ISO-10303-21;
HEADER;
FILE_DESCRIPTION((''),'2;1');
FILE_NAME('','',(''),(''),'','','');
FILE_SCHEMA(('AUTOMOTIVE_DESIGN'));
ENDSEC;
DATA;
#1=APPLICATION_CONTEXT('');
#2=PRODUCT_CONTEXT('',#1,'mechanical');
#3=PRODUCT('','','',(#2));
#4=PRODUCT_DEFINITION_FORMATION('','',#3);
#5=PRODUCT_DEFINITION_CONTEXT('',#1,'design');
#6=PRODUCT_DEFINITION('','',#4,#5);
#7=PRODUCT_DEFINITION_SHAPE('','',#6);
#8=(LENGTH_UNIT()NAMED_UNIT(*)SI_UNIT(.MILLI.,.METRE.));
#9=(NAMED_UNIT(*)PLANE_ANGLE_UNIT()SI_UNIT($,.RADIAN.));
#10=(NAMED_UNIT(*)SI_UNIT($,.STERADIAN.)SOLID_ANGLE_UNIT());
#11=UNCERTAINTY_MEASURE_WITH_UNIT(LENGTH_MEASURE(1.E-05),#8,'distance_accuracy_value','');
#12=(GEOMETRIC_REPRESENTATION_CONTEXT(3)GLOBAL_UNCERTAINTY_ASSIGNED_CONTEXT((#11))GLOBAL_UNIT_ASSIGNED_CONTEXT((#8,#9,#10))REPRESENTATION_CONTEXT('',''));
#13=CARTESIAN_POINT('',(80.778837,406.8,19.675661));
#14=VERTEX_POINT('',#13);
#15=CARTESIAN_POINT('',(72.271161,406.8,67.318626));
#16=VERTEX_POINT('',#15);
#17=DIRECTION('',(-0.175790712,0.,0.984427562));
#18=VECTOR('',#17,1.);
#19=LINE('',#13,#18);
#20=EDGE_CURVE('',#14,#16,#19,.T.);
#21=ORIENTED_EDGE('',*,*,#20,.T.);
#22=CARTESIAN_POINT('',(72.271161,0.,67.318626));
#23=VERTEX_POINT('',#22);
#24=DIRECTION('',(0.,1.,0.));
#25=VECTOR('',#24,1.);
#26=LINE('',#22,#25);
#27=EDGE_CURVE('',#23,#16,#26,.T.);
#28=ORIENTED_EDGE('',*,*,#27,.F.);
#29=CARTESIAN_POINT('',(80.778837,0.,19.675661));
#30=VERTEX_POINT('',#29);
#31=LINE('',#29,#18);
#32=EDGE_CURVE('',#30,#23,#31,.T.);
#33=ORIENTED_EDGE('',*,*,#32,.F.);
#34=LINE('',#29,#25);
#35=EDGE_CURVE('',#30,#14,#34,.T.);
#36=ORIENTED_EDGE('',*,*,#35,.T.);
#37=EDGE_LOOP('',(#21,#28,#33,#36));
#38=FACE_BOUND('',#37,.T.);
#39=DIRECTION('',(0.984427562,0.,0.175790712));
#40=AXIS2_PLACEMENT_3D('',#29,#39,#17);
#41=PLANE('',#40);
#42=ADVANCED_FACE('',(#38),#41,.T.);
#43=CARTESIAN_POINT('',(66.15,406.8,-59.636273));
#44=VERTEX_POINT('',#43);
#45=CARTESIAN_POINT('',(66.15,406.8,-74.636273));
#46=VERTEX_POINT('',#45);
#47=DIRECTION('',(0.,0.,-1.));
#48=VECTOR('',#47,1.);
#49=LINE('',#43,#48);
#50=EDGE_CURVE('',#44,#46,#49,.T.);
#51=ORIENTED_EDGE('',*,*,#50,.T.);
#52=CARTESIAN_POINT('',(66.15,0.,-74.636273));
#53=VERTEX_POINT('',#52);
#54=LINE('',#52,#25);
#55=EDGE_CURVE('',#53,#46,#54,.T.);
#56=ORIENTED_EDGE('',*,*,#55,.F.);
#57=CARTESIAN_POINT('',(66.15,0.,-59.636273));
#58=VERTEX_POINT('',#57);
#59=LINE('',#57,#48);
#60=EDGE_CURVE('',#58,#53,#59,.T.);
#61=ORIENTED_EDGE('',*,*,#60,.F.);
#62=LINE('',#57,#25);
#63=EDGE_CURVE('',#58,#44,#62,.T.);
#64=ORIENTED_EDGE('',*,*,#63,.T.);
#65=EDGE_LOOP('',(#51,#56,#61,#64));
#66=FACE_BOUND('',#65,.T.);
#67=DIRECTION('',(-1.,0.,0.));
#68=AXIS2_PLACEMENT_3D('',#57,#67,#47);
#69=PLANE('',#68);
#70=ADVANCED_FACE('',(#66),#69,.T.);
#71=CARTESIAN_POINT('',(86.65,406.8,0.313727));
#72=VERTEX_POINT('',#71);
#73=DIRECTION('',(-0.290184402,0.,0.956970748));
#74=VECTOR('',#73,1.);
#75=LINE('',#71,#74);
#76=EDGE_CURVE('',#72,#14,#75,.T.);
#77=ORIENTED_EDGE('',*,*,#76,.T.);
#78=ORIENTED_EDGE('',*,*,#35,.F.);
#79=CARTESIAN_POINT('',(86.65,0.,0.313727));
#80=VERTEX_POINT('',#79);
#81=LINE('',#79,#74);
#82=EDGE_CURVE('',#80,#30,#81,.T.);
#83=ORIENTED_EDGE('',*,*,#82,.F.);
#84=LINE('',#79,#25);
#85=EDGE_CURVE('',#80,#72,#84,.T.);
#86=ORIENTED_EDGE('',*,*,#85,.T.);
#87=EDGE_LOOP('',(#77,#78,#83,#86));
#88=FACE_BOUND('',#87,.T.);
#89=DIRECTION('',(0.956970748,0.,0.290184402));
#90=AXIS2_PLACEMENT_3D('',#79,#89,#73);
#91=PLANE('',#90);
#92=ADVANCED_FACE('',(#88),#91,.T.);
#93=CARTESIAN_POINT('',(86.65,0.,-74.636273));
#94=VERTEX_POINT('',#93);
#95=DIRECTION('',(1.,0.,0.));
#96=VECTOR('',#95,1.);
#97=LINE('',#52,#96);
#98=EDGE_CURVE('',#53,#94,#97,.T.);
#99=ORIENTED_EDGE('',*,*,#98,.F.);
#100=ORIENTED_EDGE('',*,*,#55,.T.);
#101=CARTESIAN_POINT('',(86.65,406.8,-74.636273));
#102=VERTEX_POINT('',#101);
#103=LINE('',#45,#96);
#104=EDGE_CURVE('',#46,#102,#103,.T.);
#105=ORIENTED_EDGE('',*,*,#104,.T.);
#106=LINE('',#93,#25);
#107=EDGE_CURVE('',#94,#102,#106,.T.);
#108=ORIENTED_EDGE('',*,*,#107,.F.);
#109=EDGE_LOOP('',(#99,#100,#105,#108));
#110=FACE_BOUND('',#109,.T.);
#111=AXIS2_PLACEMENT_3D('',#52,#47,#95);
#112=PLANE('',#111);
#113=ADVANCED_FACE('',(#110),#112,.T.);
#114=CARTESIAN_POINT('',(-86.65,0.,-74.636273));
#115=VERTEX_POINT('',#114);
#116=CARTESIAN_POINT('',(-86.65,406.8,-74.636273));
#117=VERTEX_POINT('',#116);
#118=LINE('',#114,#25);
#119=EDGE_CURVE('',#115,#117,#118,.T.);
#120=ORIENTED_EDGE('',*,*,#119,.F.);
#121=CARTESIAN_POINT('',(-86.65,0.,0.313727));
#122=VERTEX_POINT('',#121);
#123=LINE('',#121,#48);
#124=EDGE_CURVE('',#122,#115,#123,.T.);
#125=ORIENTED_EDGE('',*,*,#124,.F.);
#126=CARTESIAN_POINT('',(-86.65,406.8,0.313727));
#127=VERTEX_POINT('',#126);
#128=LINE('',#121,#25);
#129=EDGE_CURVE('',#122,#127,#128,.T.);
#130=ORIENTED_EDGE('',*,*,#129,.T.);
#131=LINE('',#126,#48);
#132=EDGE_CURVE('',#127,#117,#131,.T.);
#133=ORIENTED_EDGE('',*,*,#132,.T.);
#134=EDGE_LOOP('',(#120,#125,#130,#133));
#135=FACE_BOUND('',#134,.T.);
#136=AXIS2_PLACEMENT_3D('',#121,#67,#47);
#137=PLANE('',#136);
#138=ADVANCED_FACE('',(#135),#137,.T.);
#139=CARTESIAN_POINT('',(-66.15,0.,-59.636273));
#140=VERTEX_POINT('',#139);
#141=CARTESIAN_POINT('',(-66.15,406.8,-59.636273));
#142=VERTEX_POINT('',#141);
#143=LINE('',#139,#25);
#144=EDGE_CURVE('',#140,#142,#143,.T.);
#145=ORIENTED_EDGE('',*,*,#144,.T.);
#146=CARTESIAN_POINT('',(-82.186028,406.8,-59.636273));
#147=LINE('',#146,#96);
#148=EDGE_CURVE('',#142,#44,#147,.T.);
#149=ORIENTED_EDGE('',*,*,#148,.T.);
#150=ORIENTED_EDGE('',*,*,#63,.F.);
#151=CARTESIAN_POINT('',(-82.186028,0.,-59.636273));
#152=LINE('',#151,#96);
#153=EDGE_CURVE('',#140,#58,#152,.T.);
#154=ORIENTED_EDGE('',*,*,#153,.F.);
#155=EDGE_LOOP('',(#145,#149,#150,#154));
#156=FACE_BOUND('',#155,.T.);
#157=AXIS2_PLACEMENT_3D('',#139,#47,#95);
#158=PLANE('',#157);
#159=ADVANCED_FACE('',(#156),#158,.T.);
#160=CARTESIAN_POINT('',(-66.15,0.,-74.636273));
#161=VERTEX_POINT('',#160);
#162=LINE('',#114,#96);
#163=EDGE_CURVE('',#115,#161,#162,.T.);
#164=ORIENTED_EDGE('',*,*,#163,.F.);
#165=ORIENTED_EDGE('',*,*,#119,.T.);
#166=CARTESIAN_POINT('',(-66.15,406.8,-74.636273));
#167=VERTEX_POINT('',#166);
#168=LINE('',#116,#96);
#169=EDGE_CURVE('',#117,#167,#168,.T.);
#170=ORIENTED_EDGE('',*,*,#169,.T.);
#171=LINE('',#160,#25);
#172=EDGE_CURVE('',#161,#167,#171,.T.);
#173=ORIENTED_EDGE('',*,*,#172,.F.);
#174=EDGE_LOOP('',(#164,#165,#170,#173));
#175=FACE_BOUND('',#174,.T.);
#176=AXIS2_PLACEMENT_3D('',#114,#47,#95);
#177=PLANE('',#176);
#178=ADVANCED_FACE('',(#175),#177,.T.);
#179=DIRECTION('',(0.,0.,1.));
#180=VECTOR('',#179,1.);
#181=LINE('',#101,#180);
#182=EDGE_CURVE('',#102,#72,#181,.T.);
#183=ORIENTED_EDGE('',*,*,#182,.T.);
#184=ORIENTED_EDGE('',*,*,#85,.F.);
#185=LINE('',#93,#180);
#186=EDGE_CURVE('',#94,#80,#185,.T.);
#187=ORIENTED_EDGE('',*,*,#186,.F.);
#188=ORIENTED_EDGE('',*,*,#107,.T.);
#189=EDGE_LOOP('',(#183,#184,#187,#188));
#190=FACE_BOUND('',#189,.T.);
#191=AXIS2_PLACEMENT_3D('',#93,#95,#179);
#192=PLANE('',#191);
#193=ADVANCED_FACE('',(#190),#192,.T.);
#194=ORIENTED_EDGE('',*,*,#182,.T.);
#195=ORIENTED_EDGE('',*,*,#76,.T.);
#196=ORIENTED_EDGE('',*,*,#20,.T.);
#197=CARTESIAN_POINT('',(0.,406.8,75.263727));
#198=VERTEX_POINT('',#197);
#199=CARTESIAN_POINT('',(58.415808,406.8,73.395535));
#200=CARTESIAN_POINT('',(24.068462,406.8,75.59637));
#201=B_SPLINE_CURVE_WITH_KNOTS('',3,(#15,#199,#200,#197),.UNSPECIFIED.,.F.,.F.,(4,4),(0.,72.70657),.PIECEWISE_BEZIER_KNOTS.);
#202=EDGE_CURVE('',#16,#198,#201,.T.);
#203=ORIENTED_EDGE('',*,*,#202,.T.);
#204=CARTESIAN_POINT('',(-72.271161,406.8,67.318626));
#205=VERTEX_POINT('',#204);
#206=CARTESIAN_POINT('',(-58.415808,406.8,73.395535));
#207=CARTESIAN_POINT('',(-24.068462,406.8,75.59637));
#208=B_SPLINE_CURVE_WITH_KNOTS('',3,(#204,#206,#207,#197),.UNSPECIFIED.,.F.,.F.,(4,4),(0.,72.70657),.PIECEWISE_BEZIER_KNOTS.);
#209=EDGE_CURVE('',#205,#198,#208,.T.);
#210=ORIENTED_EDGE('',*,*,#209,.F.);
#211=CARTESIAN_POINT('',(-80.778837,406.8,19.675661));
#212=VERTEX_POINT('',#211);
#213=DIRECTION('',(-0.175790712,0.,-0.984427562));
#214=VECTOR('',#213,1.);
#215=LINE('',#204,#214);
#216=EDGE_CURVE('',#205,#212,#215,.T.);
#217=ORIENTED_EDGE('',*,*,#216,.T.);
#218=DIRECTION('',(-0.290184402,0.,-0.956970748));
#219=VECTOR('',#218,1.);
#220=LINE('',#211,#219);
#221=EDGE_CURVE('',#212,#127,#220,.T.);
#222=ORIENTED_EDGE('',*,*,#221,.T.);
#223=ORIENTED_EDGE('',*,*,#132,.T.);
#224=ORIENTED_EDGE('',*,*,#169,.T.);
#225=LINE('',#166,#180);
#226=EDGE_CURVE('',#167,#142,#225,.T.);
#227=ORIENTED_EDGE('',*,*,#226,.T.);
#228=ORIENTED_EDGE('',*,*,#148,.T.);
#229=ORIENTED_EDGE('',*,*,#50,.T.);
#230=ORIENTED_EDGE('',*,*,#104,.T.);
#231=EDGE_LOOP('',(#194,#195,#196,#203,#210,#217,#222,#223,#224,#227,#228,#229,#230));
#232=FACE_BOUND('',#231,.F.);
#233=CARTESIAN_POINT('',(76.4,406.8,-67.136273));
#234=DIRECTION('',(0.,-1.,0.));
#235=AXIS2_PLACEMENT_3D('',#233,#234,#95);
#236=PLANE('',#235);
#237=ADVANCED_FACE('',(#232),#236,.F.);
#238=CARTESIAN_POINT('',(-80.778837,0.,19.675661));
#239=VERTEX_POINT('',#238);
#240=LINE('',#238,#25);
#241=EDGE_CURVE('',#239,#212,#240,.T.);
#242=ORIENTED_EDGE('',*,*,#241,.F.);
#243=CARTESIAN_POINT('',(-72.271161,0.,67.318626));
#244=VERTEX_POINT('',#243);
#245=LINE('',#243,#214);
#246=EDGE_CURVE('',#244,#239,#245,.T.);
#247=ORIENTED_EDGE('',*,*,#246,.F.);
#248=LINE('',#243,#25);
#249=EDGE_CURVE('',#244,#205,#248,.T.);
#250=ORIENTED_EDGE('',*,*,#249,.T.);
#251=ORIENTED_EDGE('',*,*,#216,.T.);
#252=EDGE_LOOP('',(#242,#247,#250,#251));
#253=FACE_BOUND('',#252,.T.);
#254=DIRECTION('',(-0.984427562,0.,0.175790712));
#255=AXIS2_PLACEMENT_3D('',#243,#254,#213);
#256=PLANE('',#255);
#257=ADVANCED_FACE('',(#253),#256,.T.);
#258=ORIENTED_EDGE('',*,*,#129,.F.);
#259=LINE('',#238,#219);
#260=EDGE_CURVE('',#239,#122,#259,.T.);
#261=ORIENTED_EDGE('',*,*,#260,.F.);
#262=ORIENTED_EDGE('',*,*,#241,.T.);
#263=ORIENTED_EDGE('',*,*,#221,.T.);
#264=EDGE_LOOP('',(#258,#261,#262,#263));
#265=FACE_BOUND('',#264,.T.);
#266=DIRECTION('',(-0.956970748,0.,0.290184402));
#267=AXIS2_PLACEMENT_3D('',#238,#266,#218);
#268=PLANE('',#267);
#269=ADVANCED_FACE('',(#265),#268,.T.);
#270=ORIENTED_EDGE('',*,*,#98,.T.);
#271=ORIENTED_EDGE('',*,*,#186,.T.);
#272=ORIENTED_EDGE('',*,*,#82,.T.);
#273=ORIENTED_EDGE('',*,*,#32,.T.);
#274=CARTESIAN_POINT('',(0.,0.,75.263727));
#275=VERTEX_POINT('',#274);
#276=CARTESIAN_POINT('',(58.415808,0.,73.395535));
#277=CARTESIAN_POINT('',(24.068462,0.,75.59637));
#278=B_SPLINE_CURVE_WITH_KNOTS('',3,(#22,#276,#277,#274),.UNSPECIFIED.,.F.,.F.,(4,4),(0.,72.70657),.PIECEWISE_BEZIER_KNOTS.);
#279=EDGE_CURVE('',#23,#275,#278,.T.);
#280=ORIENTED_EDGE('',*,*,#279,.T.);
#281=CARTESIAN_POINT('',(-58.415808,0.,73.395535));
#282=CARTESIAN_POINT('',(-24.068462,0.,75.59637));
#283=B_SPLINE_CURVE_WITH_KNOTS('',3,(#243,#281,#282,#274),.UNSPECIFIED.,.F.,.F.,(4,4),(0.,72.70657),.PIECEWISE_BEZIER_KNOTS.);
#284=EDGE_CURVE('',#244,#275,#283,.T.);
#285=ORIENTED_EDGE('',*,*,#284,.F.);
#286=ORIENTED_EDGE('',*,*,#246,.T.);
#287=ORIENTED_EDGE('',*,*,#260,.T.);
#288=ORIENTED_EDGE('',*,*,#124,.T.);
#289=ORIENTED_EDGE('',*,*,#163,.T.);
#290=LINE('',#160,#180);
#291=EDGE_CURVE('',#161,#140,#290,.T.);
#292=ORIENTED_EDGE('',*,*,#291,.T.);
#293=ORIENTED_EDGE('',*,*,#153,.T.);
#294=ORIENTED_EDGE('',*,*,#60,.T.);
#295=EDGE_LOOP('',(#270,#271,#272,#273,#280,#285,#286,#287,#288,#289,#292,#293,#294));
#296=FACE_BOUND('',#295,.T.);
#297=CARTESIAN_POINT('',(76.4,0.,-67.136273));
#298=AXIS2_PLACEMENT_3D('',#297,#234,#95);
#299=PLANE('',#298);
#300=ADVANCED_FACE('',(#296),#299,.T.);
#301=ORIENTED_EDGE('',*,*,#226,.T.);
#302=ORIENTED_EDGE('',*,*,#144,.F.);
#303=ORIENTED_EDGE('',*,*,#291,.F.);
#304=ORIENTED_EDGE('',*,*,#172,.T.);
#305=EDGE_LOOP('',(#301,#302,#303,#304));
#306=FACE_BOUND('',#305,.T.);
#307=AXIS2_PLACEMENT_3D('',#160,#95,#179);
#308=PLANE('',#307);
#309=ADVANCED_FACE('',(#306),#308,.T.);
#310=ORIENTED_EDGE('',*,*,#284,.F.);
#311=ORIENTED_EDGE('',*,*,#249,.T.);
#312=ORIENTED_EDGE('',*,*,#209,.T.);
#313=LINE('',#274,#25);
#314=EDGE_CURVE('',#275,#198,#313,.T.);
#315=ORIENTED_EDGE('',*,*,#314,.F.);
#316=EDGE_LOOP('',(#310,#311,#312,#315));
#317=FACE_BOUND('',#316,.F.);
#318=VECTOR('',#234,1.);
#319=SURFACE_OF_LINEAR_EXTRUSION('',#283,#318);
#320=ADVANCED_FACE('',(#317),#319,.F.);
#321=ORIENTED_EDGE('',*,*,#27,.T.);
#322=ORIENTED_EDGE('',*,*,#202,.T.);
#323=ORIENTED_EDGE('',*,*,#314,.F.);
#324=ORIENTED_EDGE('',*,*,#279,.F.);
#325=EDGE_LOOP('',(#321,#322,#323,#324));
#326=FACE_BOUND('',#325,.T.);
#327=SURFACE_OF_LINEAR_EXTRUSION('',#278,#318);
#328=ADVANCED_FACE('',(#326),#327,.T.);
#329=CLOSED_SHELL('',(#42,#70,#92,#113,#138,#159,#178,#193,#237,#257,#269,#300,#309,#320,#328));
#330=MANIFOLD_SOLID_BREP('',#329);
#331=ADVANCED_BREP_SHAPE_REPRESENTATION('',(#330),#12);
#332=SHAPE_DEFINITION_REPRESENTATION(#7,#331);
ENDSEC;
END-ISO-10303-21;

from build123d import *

# Parameters (mm, degrees)
F1_DEPTH = 406.8


with BuildPart() as f1:
    # F0 (on Front) → F1 (new body)
    with BuildSketch(Plane.XZ):
        Polygon((66.15, -59.636273), (66.15, -74.636273), (86.65, -74.636273), (86.65, -59.636273), (82.186028, -59.636273), align=None)
        with BuildLine():
            Line((0, -59.636273), (66.15, -59.636273))
            Line((66.15, -59.636273), (82.186028, -59.636273))
            Line((82.186028, -59.636273), (86.65, -52.384976))
            Line((86.65, -52.384976), (86.65, 0.313727))
            Line((86.65, 0.313727), (80.778837, 19.675661))
            Line((80.778837, 19.675661), (72.271161, 67.318626))
            add(Edge.make_bspline(
                [(72.271161, 67.318626), (58.415808, 73.395535), (24.068462, 75.59637), (0, 75.263727)],
                knots=[0, 0, 0, 0, 72.70657, 72.70657, 72.70657, 72.70657], degree=3))
            Line((0, 75.263727), (0, -59.636273))
        make_face()
        Polygon((82.186028, -59.636273), (86.65, -59.636273), (86.65, -52.384976), align=None)
        with BuildLine():
            Line((-66.15, -59.636273), (0, -59.636273))
            Line((0, -59.636273), (0, 75.263727))
            add(Edge.make_bspline(
                [(-72.271161, 67.318626), (-58.415808, 73.395535), (-24.068462, 75.59637), (0, 75.263727)],
                knots=[0, 0, 0, 0, 72.70657, 72.70657, 72.70657, 72.70657], degree=3))
            Line((-72.271161, 67.318626), (-80.778837, 19.675661))
            Line((-80.778837, 19.675661), (-86.65, 0.313727))
            Line((-86.65, 0.313727), (-86.65, -52.384976))
            Line((-86.65, -52.384976), (-82.186028, -59.636273))
            Line((-82.186028, -59.636273), (-66.15, -59.636273))
        make_face()
        Polygon((-66.15, -74.636273), (-66.15, -59.636273), (-82.186028, -59.636273), (-86.65, -59.636273), (-86.65, -74.636273), align=None)
        Polygon((-86.65, -59.636273), (-82.186028, -59.636273), (-86.65, -52.384976), align=None)
    extrude(amount=-F1_DEPTH)


solid = f1.part
